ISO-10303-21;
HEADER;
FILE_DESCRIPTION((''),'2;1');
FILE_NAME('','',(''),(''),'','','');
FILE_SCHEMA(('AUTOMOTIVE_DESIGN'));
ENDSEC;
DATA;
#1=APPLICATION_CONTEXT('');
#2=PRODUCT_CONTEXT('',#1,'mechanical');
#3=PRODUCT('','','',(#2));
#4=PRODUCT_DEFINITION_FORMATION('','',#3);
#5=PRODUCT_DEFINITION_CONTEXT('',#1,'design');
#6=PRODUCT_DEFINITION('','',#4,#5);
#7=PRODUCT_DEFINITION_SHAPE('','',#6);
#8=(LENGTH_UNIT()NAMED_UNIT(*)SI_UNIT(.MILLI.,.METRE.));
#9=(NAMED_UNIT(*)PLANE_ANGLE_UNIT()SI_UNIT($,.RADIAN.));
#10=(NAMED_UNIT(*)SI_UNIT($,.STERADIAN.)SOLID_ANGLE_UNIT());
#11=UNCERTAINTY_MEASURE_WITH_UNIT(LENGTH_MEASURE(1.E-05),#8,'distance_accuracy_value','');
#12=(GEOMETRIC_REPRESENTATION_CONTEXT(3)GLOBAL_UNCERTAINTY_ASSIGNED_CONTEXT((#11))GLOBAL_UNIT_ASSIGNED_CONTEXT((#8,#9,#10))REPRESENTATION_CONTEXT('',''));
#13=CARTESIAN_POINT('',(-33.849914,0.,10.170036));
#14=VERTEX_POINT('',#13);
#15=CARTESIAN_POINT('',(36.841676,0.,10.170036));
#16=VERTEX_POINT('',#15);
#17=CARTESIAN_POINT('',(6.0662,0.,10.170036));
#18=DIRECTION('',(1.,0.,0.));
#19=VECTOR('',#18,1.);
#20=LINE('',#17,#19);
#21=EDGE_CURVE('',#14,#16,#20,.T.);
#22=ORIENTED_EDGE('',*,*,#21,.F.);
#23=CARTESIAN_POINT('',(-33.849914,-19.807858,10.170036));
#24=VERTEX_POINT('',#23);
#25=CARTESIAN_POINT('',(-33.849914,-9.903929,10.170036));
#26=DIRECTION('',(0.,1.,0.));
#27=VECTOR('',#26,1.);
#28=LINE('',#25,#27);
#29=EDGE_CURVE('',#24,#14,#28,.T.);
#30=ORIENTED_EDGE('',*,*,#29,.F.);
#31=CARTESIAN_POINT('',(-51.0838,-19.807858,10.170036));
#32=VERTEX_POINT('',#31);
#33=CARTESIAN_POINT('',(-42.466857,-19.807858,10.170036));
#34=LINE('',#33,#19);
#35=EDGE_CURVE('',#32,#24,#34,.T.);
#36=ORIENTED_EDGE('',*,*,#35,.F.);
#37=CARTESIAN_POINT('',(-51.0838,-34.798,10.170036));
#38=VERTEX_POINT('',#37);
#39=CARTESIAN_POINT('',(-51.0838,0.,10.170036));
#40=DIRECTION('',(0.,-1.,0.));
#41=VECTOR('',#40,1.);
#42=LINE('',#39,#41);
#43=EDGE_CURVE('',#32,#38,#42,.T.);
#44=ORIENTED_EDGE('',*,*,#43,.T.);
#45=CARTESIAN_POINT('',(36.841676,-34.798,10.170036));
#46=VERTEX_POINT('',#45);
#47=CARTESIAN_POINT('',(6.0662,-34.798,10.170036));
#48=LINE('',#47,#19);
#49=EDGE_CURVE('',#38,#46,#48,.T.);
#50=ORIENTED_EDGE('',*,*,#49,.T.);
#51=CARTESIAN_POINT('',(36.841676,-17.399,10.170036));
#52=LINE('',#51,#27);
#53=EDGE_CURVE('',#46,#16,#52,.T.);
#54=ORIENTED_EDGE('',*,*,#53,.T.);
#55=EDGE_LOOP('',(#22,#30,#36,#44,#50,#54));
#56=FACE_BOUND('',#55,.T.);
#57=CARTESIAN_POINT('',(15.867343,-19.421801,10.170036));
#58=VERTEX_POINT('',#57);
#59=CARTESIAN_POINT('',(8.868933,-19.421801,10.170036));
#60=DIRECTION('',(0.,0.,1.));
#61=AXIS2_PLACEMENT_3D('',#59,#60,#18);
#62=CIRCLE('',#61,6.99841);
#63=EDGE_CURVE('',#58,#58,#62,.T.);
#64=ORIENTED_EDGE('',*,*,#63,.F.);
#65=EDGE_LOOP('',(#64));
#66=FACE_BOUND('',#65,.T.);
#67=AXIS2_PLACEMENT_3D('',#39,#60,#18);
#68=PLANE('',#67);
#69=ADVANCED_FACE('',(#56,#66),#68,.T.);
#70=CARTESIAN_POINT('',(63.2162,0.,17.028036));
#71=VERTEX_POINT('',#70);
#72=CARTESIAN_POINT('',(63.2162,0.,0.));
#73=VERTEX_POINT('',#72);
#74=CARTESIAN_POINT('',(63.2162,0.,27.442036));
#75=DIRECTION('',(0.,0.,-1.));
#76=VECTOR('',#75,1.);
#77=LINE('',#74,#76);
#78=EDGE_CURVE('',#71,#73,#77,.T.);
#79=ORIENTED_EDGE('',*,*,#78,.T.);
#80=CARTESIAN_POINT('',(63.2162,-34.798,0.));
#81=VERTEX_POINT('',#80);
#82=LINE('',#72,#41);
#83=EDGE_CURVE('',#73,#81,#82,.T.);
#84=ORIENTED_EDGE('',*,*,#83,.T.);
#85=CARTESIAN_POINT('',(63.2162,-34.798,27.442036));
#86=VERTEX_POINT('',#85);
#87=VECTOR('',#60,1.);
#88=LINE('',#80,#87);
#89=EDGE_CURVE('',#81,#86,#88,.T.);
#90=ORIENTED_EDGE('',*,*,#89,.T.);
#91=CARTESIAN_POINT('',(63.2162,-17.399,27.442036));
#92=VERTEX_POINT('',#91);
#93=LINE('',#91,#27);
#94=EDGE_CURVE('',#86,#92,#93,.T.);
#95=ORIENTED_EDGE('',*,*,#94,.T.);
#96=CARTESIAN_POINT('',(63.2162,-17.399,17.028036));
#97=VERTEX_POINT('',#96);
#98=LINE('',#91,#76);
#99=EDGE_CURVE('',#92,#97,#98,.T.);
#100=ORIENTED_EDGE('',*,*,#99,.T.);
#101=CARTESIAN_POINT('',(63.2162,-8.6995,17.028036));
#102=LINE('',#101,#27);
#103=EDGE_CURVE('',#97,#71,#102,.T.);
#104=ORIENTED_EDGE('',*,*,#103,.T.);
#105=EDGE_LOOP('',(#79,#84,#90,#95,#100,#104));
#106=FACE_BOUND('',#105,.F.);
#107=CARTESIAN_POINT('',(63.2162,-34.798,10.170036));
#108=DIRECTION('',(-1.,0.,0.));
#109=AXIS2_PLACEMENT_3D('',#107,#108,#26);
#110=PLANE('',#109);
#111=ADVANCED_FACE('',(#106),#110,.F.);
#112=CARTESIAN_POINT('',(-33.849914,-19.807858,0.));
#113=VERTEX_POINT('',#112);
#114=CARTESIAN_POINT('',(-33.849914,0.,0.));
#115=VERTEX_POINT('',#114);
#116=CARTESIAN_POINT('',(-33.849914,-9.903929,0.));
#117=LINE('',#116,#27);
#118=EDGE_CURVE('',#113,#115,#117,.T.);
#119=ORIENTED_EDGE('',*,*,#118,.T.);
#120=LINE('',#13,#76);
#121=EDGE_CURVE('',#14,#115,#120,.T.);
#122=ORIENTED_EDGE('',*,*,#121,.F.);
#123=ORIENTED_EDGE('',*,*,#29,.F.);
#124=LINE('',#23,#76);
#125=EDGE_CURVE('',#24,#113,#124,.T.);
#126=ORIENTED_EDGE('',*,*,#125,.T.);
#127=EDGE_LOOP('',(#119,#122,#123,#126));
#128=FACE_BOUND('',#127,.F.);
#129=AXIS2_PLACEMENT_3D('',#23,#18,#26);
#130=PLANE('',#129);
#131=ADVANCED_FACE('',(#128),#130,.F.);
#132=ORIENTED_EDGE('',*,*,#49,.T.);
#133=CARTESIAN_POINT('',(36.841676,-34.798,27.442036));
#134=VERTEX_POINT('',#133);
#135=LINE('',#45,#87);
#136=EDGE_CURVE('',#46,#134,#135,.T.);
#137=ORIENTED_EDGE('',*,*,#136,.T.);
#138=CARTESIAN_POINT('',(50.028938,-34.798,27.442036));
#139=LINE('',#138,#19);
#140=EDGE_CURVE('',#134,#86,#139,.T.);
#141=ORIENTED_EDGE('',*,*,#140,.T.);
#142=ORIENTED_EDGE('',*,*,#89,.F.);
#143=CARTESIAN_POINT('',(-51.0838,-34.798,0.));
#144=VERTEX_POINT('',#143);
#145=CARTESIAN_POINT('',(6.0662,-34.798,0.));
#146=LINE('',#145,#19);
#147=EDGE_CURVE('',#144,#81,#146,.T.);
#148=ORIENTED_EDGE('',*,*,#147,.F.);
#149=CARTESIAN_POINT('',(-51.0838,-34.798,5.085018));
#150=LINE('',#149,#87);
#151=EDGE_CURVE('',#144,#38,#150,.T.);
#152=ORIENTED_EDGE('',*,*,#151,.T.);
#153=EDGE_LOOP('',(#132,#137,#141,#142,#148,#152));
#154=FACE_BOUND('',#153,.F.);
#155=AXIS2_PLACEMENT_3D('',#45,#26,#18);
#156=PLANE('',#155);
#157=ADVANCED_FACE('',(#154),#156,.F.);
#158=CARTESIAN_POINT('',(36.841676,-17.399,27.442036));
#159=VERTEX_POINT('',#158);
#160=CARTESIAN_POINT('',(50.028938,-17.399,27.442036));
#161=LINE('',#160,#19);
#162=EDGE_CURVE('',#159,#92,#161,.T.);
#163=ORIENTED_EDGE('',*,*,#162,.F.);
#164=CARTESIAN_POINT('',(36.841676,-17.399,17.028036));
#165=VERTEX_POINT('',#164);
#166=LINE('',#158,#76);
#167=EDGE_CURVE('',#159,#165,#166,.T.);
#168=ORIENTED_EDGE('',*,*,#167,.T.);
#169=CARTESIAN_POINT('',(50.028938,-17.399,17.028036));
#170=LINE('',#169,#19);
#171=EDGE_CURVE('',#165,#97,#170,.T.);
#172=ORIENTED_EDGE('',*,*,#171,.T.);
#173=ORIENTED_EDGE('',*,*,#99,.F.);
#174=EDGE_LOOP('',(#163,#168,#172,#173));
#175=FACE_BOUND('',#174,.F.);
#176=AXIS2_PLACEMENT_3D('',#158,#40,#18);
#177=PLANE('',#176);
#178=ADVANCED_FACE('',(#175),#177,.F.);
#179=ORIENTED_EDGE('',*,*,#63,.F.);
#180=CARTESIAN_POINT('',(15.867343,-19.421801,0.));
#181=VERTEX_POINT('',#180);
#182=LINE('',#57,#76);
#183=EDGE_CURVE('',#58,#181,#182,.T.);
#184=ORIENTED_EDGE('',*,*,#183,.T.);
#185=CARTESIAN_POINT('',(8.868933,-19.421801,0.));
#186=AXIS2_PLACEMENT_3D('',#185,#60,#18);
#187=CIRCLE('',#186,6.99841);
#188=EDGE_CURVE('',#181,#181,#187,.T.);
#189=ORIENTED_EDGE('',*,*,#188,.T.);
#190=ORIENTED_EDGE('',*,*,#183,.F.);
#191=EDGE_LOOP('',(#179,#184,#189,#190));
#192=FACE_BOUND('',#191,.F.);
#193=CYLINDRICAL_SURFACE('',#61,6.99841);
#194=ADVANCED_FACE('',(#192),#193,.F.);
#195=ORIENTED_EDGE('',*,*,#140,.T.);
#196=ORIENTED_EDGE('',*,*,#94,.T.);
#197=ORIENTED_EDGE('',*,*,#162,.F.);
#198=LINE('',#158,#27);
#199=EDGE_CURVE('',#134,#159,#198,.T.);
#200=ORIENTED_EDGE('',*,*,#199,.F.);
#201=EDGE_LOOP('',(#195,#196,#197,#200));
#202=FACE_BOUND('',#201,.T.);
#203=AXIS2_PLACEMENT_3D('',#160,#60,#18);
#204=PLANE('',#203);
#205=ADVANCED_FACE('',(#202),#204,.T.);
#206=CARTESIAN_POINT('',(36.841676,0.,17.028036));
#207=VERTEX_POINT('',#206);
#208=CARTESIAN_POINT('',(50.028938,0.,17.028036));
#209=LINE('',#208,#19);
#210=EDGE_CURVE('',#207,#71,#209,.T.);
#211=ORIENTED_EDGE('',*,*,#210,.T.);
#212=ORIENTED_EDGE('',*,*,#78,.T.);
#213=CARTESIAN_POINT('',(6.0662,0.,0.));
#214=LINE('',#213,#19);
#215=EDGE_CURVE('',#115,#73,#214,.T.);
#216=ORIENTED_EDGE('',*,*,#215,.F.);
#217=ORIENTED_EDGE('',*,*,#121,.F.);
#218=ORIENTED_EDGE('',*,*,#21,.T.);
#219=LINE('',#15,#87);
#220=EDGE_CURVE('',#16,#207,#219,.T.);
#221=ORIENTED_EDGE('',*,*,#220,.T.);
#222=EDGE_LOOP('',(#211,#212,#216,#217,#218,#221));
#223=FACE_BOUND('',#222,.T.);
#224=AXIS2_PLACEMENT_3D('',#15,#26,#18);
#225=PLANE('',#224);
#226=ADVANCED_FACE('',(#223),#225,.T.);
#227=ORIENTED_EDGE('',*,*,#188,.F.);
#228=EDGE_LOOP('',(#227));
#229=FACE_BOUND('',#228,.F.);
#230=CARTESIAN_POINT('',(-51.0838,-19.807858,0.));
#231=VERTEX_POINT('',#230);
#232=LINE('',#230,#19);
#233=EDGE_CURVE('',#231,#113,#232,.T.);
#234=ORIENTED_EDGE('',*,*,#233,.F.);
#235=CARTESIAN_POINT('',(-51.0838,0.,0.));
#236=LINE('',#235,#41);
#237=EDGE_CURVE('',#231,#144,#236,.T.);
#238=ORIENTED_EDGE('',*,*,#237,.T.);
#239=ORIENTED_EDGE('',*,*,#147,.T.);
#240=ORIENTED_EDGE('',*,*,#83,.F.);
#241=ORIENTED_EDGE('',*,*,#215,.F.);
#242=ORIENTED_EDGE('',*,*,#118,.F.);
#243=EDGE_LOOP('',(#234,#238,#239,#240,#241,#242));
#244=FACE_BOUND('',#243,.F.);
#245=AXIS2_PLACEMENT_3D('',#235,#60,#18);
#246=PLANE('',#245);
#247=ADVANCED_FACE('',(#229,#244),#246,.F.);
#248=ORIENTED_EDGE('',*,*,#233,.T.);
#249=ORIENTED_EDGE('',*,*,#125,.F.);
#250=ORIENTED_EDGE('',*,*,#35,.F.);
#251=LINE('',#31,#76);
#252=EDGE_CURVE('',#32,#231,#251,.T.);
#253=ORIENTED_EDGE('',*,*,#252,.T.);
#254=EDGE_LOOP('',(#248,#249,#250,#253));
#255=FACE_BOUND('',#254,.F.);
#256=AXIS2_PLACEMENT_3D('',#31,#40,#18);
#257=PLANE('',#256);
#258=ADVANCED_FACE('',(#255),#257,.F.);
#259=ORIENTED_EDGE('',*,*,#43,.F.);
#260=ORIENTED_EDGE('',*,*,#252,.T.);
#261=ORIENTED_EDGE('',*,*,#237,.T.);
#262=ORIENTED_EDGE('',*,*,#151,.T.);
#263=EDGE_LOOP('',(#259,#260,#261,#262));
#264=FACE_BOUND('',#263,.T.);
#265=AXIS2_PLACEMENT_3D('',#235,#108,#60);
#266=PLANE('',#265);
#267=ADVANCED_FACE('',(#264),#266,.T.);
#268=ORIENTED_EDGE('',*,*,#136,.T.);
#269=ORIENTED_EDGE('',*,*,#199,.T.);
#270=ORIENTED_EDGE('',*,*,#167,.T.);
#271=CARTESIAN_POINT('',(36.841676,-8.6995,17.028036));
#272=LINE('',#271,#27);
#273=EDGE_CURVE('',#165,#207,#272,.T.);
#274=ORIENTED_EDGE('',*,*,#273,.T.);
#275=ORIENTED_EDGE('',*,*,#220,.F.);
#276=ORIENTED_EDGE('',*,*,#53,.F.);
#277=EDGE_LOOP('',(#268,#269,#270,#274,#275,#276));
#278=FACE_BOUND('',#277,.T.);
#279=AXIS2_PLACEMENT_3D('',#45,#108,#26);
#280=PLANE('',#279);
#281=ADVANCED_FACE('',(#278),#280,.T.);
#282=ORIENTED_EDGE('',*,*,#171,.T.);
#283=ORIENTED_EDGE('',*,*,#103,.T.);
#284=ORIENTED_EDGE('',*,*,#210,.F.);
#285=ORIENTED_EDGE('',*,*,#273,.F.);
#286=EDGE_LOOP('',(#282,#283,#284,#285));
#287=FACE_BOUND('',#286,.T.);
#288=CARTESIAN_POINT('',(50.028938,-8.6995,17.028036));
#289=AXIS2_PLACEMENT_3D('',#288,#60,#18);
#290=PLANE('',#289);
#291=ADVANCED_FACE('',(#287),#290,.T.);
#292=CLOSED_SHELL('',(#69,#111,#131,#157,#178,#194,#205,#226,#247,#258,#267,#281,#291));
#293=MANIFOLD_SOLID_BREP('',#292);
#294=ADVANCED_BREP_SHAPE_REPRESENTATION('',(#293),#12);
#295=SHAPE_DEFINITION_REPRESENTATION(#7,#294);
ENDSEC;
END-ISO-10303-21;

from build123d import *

# Parameters (mm, degrees)
F0_W     = 114.3
F0_H     = 10.170036
F1_DEPTH = 34.798
F2_W     = 17.233886
F2_H     = 19.807858
F3_DEPTH = 25.4
F4_R     = 6.99841
F5_DEPTH = 25.4
F6_W     = 26.374524
F6_H     = 34.798
F7_DEPTH = 17.272
F8_W     = 26.374524
F8_H     = 17.399
F9_DEPTH = 10.414


with BuildPart() as f1:
    # F0 (on Front) → F1 (new body)
    with BuildSketch(Plane.XZ):
        with Locations((6.0662, 5.085018)):
            Rectangle(F0_W, F0_H)
    extrude(amount=F1_DEPTH)

    # F2 (on face) → F3 (cut)
    with BuildSketch(Plane.XY.offset(10.170036)):
        with Locations((-42.466857, -9.903929)):
            Rectangle(F2_W, F2_H)
    extrude(amount=-F3_DEPTH, mode=Mode.SUBTRACT)

    # F4 (on face) → F5 (cut)
    with BuildSketch(Plane.XY.offset(10.170036)):
        with Locations((8.868933, -19.421801)):
            Circle(F4_R)
    extrude(amount=-F5_DEPTH, mode=Mode.SUBTRACT)

    # F6 (on face) → F7 (join)
    with BuildSketch(Plane.XY.offset(10.170036)):
        with Locations((50.028938, -17.399)):
            Rectangle(F6_W, F6_H)
    extrude(amount=F7_DEPTH)

    # F8 (on face) → F9 (cut)
    with BuildSketch(Plane.XY.offset(27.442036)):
        with Locations((50.028938, -8.6995)):
            Rectangle(F8_W, F8_H)
    extrude(amount=-F9_DEPTH, mode=Mode.SUBTRACT)


solid = f1.part
